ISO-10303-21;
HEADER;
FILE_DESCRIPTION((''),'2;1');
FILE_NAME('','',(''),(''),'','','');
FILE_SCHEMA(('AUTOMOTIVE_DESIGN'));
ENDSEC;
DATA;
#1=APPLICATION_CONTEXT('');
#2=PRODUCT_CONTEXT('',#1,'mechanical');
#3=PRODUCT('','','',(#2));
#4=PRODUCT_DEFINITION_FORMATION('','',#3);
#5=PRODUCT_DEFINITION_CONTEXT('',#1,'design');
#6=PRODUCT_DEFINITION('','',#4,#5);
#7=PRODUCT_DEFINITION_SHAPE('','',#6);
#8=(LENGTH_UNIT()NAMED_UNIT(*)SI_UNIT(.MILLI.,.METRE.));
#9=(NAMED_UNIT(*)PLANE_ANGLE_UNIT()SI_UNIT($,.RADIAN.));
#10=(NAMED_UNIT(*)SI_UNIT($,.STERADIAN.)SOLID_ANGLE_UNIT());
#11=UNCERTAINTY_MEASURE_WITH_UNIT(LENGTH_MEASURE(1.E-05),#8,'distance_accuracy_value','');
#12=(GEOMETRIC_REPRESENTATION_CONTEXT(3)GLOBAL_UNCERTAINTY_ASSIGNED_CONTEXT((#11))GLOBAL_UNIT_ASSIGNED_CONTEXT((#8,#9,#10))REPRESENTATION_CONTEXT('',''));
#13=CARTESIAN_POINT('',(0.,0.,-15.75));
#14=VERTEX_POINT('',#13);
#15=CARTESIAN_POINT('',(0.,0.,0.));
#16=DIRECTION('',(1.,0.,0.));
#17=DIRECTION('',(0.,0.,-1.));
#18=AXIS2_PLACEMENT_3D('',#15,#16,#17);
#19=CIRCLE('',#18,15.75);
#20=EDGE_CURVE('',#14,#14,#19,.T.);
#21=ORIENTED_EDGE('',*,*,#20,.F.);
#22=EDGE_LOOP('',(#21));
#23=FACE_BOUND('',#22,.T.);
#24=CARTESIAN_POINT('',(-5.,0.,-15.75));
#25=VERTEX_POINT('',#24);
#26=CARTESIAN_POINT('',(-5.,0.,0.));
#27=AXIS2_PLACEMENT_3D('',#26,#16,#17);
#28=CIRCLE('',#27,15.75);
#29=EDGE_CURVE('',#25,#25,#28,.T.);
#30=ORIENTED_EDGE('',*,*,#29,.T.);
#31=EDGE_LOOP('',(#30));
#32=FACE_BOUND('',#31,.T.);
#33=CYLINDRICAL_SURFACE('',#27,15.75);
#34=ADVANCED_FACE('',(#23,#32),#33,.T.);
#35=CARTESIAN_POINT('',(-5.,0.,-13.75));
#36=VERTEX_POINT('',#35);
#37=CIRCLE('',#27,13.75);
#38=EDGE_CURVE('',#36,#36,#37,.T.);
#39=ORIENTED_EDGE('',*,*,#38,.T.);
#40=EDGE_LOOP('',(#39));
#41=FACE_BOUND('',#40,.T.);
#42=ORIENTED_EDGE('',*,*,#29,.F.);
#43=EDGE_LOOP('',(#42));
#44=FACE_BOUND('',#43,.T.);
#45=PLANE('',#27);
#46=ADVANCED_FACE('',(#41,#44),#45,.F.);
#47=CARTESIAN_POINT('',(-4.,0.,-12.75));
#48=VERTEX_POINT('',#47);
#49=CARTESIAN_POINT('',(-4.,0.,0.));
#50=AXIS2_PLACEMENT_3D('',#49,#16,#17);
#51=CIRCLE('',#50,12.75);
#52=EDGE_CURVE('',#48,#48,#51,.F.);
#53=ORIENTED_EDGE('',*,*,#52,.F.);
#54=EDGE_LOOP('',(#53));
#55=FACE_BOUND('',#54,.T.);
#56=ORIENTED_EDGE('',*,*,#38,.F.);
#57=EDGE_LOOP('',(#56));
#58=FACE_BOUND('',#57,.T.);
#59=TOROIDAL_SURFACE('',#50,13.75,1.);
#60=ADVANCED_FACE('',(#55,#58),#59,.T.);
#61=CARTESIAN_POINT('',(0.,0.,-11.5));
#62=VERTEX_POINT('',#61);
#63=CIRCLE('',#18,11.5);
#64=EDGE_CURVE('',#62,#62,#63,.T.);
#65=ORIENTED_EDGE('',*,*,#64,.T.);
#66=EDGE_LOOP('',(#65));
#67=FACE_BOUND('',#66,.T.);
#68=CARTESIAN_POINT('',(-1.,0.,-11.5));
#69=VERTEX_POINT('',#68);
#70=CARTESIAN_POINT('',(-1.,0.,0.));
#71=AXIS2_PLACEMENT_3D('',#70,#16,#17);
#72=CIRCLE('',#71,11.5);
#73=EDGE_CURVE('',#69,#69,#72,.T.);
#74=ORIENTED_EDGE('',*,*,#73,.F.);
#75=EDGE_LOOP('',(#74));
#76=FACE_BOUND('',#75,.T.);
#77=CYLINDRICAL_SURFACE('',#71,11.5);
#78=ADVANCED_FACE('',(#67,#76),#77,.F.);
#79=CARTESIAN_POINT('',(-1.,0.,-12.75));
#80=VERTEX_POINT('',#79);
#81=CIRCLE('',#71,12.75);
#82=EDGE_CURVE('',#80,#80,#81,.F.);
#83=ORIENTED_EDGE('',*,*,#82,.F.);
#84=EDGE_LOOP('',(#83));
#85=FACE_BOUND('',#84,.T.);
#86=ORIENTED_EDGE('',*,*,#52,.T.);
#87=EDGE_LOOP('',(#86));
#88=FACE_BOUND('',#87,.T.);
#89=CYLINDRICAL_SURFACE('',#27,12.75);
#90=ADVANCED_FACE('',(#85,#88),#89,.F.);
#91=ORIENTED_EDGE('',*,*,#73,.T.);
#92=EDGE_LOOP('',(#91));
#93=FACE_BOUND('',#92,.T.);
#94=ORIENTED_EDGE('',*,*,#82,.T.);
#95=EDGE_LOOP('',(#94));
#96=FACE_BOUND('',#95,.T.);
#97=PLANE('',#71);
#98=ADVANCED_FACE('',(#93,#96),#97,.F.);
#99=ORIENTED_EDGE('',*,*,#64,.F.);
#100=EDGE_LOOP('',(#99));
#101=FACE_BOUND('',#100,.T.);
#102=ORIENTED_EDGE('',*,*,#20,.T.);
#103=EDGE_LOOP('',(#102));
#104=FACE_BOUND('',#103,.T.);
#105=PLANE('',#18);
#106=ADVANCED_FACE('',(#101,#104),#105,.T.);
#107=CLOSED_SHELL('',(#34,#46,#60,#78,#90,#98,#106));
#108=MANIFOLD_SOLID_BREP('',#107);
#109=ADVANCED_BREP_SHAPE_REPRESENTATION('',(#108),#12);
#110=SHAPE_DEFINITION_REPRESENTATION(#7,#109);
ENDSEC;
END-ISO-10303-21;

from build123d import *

# Parameters (mm, degrees)
SKETCH1_R            = 15.75
SKETCH1_R_2          = 12.75
BOSS_EXTRUDE1_DEPTH  = 5
FILLET3_R            = 1
SKETCH1_3_R          = 12.75
SKETCH1_3_R_2        = 11.5
BOSS_EXTRUDE29_DEPTH = 1


with BuildPart() as part:
    # Sketch1 → Boss-Extrude1 (new body)
    with BuildSketch(Plane(origin=(0, 0, 0), x_dir=(0, 0, -1), z_dir=(1, 0, 0))):
        Circle(SKETCH1_R)
        Circle(SKETCH1_R_2, mode=Mode.SUBTRACT)
    extrude(amount=-BOSS_EXTRUDE1_DEPTH)

    # Fillet3
    fillet3_edges = [part.edges().sort_by_distance(p)[0] for p in [
        (-5, 0, 12.75),
    ]]
    fillet(fillet3_edges, radius=FILLET3_R)

    # Sketch1<3> → Boss-Extrude29 (add)
    with BuildSketch(Plane(origin=(0, 0, 0), x_dir=(0, 0, -1), z_dir=(1, 0, 0))):
        Circle(SKETCH1_3_R)
        Circle(SKETCH1_3_R_2, mode=Mode.SUBTRACT)
    extrude(amount=-BOSS_EXTRUDE29_DEPTH)


solid = part.part
